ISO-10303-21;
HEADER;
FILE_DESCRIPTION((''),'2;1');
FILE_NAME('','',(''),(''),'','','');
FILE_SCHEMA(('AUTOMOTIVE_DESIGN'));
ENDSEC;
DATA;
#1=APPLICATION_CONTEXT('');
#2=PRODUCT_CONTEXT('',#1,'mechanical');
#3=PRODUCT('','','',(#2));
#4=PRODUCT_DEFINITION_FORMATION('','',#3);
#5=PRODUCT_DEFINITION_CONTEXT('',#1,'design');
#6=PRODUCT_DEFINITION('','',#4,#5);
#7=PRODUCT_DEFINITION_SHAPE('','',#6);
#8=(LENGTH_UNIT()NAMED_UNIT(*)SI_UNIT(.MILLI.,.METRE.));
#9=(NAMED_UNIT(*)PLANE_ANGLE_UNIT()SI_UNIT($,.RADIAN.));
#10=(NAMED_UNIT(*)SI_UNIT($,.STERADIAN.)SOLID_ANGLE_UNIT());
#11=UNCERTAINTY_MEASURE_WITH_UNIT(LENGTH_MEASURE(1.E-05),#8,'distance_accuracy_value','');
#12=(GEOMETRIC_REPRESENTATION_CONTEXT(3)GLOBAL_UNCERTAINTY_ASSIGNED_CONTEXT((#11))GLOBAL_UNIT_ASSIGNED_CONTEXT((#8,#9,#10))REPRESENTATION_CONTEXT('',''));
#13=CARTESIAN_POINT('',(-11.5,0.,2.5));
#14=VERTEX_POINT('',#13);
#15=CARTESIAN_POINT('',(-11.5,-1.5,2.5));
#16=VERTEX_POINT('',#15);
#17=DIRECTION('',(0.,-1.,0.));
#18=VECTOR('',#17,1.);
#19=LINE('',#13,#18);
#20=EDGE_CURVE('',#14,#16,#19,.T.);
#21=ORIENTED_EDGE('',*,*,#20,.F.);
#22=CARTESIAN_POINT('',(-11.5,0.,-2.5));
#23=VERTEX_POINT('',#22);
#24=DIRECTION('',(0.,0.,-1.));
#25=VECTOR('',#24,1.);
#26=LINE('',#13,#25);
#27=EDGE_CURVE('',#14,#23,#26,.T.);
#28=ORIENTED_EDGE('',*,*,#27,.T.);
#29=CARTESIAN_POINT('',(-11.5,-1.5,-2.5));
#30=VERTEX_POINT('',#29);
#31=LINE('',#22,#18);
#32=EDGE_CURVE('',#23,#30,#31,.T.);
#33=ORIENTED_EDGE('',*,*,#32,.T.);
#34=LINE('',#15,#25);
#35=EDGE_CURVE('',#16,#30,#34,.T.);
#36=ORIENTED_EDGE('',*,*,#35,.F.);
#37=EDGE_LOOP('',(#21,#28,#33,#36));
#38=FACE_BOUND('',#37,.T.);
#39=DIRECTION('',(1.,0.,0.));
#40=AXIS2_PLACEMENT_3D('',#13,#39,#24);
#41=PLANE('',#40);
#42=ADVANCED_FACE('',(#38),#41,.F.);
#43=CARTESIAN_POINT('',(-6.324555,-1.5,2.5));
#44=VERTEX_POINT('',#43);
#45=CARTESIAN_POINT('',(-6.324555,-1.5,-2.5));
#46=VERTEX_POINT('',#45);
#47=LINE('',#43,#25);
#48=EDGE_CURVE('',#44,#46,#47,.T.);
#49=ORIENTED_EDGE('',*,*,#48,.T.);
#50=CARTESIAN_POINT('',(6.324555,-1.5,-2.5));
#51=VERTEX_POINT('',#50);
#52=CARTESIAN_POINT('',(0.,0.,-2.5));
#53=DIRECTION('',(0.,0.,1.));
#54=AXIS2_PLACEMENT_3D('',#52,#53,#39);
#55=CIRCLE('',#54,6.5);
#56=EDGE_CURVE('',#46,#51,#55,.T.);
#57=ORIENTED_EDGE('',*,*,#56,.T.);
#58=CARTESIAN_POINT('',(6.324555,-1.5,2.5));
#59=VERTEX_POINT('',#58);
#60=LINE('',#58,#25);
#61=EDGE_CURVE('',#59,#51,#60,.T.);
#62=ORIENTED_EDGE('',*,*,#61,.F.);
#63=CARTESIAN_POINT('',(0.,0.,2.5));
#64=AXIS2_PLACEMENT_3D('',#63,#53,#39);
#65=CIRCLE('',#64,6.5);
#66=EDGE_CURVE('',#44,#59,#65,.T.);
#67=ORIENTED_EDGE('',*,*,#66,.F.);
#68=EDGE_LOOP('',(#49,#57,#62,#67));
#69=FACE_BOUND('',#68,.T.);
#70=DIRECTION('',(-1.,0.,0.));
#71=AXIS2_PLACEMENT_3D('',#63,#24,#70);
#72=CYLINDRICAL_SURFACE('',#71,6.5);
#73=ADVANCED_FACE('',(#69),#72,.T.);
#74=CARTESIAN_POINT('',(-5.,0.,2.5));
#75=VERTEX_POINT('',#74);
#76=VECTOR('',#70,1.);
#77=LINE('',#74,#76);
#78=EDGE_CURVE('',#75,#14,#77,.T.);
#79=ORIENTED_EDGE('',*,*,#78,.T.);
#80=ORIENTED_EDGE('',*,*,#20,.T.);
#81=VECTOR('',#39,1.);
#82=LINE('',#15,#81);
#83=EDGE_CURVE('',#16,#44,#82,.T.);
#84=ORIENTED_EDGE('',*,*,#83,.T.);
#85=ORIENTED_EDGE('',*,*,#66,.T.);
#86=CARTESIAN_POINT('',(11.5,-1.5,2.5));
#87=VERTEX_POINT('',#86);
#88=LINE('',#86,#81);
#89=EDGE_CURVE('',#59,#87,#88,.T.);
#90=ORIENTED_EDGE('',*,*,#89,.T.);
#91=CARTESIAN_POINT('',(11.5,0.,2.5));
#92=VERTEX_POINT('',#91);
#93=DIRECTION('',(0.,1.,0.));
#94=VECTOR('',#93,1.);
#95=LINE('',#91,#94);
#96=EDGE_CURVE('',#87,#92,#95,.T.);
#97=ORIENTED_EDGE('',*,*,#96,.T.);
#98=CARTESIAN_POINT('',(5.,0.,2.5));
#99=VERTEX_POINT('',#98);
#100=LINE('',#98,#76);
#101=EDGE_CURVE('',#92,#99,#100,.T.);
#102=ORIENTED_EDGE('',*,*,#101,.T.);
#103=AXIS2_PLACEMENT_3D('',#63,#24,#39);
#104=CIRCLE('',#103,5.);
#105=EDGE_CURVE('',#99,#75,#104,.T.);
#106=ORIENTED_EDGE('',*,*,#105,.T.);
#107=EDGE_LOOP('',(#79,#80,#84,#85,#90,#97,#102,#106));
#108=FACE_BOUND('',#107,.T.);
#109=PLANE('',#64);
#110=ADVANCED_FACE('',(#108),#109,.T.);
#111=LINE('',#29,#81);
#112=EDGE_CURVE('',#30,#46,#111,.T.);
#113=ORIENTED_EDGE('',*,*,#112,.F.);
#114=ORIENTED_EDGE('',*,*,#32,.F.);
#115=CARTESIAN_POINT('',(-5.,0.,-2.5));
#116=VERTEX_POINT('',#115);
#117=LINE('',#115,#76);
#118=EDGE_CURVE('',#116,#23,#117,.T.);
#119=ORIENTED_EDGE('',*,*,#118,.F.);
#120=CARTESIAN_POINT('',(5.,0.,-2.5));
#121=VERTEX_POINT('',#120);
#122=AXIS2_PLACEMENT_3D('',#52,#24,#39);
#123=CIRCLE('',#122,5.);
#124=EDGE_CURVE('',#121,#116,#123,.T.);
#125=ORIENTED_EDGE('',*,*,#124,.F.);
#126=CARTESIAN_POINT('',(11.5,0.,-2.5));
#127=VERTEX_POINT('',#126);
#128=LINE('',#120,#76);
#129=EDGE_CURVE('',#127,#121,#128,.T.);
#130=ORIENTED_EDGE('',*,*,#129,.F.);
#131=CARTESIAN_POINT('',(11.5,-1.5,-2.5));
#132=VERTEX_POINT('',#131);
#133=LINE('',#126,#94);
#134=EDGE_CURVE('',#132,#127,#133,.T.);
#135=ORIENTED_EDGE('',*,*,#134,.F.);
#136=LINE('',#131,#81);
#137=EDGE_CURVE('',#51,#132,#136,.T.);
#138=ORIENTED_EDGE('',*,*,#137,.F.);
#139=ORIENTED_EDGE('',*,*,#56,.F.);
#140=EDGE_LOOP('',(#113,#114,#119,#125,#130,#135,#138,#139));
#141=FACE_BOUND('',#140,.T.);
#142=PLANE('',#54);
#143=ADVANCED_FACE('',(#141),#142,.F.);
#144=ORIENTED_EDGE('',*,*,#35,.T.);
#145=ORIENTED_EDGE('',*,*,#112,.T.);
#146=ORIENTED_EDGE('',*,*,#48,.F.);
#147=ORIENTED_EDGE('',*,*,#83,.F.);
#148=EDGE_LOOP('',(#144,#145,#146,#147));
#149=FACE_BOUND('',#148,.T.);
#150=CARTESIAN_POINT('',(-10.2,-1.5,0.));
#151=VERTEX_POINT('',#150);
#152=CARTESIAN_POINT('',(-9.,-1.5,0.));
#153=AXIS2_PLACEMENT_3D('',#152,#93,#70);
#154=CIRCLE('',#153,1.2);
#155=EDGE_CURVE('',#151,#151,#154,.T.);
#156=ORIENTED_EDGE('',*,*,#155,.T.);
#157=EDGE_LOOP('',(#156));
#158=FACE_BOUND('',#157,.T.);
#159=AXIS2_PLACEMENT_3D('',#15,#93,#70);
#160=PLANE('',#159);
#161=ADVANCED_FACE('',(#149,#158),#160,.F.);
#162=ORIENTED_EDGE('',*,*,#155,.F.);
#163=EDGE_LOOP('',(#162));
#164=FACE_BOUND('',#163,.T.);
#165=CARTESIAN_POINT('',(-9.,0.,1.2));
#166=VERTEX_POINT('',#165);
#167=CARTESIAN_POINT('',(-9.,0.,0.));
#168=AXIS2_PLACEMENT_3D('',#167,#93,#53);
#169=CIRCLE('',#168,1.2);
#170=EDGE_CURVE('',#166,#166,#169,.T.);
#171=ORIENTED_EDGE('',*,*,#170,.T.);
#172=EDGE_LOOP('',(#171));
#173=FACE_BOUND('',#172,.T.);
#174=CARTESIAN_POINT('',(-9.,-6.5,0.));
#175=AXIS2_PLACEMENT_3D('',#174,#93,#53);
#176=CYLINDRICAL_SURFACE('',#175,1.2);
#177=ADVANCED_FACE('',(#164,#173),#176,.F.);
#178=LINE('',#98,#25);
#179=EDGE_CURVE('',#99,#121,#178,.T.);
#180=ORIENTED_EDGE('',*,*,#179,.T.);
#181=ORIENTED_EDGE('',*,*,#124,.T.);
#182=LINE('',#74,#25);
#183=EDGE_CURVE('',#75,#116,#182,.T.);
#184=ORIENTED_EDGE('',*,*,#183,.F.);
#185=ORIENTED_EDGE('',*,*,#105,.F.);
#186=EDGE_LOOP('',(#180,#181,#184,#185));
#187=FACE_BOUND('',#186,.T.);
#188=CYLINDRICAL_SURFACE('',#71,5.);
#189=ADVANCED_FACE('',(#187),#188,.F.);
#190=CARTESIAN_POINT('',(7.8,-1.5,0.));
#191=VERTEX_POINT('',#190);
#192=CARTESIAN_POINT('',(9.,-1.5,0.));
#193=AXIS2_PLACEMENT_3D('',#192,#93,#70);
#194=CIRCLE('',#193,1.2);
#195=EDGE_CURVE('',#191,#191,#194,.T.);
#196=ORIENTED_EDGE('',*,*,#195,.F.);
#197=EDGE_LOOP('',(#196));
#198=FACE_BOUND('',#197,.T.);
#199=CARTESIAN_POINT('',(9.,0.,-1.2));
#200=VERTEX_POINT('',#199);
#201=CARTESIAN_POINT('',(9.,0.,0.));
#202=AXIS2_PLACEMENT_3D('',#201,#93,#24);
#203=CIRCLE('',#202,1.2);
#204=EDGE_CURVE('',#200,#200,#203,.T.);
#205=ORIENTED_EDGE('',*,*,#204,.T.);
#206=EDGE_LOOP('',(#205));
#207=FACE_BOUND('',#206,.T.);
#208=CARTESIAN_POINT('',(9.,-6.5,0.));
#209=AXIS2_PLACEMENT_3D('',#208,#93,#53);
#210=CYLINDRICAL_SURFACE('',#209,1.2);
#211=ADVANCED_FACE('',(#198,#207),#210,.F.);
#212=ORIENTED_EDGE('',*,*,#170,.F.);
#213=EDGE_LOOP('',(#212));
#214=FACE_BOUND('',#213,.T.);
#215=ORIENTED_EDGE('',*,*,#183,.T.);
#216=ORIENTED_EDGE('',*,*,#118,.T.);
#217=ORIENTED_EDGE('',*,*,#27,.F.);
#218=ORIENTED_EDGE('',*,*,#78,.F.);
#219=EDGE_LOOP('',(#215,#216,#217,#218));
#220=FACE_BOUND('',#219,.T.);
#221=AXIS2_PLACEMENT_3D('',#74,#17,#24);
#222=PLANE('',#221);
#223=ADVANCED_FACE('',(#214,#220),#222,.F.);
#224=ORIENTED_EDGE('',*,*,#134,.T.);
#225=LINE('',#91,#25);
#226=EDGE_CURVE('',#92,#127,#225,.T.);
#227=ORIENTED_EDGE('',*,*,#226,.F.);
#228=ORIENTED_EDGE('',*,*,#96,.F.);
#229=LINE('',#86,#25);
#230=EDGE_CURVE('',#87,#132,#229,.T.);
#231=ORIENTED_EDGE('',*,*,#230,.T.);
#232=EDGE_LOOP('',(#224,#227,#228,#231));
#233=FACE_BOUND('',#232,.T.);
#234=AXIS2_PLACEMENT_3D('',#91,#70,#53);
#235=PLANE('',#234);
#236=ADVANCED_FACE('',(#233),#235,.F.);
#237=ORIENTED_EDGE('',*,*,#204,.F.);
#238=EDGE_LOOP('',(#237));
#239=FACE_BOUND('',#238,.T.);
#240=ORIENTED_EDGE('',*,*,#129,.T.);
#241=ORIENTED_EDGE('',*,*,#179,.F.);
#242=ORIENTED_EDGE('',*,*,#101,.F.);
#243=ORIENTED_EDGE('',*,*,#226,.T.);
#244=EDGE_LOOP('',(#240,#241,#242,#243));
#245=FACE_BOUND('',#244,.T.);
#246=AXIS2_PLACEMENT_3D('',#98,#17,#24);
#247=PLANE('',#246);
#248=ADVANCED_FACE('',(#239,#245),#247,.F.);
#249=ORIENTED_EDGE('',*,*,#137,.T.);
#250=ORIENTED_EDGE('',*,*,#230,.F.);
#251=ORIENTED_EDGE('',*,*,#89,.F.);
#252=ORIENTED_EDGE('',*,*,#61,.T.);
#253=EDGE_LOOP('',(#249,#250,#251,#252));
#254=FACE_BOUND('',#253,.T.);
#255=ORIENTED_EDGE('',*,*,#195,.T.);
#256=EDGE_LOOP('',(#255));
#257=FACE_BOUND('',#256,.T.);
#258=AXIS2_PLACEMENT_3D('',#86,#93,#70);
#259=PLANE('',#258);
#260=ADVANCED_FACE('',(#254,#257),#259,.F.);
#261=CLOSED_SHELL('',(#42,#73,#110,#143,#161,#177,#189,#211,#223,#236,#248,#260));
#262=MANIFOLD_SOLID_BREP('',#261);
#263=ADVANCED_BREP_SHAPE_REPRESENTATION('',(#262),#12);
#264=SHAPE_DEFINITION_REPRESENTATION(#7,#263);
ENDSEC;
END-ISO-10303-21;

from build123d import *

# Parameters (mm, degrees)
BOSS_EXTRUDE1_DEPTH = 2.5
SKETCH2_R           = 1.2
CUT_EXTRUDE1_DEPTH  = 14.44432966


with BuildPart() as part:
    # Sketch1 → Boss-Extrude1 (new, symmetric)
    with BuildSketch(Plane.XY):
        with BuildLine():
            Line((5, 0), (11.5, 0))
            Line((11.5, 0), (11.5, -1.5))
            Line((11.5, -1.5), (6.32455532, -1.5))
            ThreePointArc((6.32455532, -1.5), (0, -6.5), (-6.32455532, -1.5))
            Line((-6.32455532, -1.5), (-11.5, -1.5))
            Line((-11.5, -1.5), (-11.5, 0))
            Line((-11.5, 0), (-5, 0))
            ThreePointArc((-5, 0), (0, -5), (5, 0))
        make_face()
    extrude(amount=BOSS_EXTRUDE1_DEPTH, both=True)

    # Sketch2 → Cut-Extrude1 (cut, through all)
    with BuildSketch(Plane(origin=(0, 0, 0), x_dir=(1, 0, 0), z_dir=(0, 1, 0))):
        with Locations(Location((-9, 0, 0), (0, 0, 270))):
            Circle(SKETCH2_R)
        with Locations(Location((9, 0, 0), (0, 0, 180))):
            Circle(SKETCH2_R)
    extrude(amount=-CUT_EXTRUDE1_DEPTH, mode=Mode.SUBTRACT)


solid = part.part
